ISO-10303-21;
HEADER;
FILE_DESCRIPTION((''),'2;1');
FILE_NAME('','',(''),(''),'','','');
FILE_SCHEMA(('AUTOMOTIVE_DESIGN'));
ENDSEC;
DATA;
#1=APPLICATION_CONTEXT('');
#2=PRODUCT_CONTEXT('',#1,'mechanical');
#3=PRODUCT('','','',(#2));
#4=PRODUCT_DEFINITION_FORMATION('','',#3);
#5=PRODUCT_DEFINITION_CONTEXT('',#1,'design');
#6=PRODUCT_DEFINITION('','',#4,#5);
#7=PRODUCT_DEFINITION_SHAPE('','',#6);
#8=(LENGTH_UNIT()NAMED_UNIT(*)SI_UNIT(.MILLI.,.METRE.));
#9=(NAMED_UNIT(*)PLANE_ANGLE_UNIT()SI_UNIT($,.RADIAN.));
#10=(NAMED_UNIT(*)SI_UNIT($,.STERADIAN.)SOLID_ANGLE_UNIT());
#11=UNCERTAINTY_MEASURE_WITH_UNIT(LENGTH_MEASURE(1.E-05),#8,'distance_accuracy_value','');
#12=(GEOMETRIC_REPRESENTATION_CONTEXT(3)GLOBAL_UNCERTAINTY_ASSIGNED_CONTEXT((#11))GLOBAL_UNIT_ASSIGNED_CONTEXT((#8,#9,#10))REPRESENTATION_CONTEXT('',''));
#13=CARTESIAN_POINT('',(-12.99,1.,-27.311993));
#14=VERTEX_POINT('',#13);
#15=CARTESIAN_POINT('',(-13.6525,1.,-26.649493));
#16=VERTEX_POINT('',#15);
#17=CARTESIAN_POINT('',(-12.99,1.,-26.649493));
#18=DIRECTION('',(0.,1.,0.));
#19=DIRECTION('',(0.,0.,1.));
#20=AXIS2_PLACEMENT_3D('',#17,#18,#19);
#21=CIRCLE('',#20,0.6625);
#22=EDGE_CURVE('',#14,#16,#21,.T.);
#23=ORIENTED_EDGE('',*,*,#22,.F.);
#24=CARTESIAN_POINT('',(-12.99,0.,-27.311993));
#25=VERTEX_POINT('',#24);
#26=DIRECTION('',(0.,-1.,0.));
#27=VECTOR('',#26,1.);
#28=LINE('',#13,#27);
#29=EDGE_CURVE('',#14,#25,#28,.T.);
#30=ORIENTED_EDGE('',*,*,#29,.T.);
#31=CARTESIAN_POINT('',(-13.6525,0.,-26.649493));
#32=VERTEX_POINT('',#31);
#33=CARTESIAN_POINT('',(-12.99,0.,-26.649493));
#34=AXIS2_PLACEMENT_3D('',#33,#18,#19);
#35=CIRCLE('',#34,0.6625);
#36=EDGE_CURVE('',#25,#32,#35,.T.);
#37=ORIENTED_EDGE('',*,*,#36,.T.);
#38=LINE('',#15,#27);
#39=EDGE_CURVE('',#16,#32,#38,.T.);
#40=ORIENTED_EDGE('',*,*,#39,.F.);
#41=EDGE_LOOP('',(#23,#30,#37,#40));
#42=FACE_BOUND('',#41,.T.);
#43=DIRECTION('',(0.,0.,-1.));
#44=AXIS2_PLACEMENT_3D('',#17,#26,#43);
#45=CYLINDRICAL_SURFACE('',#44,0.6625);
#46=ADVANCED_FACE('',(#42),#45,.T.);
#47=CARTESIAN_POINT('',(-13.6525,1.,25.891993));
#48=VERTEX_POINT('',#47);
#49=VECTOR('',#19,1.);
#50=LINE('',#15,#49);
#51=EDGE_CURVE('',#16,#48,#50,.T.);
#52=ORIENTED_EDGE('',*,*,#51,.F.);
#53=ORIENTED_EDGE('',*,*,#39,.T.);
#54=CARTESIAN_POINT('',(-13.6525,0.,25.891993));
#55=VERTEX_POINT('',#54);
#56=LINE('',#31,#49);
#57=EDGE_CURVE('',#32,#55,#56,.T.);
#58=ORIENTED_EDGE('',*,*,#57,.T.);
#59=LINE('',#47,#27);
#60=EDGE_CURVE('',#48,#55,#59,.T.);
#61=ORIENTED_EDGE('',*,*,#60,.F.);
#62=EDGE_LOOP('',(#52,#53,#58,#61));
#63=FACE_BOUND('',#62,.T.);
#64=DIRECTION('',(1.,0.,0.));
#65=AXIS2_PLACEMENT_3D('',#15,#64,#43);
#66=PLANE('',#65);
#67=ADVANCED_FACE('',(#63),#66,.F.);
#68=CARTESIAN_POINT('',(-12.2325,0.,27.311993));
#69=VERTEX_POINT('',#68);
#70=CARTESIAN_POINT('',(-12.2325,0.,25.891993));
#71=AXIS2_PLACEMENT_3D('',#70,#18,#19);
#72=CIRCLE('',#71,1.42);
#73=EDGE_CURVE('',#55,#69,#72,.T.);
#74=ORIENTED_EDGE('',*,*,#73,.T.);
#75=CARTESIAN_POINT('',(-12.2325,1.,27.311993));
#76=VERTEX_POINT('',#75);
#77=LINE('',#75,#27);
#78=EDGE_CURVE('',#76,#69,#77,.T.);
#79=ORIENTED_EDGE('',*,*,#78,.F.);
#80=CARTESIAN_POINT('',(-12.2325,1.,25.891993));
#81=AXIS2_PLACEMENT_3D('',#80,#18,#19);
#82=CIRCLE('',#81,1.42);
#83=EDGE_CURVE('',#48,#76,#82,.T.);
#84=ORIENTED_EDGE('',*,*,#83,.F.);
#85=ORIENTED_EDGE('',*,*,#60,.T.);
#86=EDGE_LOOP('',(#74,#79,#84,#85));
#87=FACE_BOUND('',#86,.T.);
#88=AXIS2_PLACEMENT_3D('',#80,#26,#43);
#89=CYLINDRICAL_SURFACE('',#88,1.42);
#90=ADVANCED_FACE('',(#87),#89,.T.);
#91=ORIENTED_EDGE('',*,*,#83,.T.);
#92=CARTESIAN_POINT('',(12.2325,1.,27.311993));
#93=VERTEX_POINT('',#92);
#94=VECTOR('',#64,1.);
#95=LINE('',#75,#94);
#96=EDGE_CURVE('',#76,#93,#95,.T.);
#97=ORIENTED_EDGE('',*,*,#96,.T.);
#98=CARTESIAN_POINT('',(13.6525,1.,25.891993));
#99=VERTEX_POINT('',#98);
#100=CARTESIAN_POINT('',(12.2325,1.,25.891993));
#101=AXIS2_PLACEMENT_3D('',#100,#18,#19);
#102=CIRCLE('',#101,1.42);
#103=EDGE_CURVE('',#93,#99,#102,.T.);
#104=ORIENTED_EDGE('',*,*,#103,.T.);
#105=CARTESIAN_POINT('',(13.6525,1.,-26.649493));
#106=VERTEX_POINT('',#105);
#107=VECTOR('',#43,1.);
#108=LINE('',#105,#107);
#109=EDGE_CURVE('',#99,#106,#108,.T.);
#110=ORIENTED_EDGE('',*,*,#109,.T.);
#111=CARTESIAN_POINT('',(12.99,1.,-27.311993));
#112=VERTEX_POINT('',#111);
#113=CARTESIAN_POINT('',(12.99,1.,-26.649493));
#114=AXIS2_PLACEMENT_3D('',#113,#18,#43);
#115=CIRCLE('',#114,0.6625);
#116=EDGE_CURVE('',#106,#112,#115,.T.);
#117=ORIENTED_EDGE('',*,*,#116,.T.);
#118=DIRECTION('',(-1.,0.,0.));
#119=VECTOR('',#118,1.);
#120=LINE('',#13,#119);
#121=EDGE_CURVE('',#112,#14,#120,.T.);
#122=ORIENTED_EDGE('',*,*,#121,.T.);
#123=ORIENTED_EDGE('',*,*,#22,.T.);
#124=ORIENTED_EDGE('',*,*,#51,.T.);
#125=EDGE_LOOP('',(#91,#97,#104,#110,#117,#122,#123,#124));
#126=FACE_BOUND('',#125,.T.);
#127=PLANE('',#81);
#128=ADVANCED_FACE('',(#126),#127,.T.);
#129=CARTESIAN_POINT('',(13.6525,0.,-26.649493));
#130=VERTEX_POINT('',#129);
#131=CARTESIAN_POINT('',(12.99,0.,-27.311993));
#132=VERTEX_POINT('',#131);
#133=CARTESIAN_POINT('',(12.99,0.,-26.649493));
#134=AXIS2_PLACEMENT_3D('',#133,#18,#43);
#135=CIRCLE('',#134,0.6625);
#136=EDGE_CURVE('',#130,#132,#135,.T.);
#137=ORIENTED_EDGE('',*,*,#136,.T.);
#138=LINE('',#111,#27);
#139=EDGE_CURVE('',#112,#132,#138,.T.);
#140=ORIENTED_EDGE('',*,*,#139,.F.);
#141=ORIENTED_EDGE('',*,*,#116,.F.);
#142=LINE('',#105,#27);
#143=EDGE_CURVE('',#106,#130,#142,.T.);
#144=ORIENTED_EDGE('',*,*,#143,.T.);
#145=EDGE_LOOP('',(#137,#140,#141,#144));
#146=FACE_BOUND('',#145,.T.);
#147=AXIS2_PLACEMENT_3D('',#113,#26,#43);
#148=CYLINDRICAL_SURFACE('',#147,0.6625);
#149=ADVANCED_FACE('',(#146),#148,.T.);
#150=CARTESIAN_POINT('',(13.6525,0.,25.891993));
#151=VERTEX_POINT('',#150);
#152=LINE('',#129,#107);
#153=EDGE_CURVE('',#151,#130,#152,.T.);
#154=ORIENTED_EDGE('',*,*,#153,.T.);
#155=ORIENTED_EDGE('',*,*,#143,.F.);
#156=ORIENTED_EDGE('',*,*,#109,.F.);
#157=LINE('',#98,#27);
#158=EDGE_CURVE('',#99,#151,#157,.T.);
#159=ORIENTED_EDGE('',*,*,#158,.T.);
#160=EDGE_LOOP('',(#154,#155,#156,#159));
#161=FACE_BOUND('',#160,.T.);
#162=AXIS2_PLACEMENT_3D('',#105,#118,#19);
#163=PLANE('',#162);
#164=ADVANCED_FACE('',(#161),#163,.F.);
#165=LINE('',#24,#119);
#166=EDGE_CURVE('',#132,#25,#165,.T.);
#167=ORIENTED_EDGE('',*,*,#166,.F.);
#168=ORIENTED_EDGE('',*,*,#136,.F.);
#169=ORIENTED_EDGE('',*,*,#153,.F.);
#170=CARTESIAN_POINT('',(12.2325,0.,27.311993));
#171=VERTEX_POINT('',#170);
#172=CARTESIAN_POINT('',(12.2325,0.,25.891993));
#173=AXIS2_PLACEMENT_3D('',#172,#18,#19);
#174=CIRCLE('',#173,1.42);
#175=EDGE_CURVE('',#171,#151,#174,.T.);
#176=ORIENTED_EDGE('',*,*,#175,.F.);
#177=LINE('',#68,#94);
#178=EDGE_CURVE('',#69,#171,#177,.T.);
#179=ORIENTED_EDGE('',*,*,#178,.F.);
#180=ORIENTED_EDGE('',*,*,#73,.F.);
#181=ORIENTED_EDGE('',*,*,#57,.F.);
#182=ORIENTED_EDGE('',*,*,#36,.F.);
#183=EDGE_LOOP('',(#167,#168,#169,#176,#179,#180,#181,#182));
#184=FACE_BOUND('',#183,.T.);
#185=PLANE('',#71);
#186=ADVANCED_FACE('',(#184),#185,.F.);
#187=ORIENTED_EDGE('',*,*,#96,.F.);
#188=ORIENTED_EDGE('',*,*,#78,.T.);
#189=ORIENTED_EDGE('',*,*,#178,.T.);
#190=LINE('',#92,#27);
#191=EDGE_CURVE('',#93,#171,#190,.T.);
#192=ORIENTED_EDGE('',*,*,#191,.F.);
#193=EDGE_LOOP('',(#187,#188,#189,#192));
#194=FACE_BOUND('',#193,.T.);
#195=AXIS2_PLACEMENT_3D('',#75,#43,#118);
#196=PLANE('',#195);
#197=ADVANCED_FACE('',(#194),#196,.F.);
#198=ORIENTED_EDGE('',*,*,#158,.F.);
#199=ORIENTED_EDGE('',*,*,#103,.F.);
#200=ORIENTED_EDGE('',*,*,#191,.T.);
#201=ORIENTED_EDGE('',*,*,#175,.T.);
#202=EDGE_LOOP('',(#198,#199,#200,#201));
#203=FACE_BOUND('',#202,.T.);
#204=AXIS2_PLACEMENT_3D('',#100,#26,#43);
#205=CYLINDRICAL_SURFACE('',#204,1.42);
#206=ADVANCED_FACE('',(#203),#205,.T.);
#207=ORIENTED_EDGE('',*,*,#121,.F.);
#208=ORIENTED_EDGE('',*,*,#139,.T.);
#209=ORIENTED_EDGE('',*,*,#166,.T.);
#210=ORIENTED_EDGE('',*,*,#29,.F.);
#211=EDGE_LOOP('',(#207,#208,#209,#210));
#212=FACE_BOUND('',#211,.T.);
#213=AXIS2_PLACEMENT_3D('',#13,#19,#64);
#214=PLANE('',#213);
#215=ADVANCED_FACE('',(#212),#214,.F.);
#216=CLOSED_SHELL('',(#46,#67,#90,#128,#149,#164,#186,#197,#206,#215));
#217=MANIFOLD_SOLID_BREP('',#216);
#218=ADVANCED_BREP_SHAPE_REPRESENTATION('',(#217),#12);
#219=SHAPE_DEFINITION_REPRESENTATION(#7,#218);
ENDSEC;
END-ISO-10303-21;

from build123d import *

# Parameters (mm, degrees)
BOSS_EXTRU_1_DEPTH = 1


with BuildPart() as part:
    # Esquisse1 → Boss.-Extru.1 (new body)
    with BuildSketch(Plane(origin=(0, 0, 0), x_dir=(1, 0, 0), z_dir=(0, 1, 0))):
        with BuildLine():
            Line((-12.99, 27.311993172), (12.99, 27.311993172))
            ThreePointArc((12.99, 27.311993172), (13.458458243, 27.117951415), (13.6525, 26.649493172))
            Line((13.6525, 26.649493172), (13.6525, -25.891993172))
            ThreePointArc((13.6525, -25.891993172), (13.236591629, -26.896084801), (12.2325, -27.311993172))
            Line((12.2325, -27.311993172), (-12.2325, -27.311993172))
            ThreePointArc((-12.2325, -27.311993172), (-13.236591629, -26.896084801), (-13.6525, -25.891993172))
            Line((-13.6525, -25.891993172), (-13.6525, 26.649493172))
            ThreePointArc((-13.6525, 26.649493172), (-13.458458243, 27.117951415), (-12.99, 27.311993172))
        make_face()
    extrude(amount=BOSS_EXTRU_1_DEPTH)


solid = part.part
